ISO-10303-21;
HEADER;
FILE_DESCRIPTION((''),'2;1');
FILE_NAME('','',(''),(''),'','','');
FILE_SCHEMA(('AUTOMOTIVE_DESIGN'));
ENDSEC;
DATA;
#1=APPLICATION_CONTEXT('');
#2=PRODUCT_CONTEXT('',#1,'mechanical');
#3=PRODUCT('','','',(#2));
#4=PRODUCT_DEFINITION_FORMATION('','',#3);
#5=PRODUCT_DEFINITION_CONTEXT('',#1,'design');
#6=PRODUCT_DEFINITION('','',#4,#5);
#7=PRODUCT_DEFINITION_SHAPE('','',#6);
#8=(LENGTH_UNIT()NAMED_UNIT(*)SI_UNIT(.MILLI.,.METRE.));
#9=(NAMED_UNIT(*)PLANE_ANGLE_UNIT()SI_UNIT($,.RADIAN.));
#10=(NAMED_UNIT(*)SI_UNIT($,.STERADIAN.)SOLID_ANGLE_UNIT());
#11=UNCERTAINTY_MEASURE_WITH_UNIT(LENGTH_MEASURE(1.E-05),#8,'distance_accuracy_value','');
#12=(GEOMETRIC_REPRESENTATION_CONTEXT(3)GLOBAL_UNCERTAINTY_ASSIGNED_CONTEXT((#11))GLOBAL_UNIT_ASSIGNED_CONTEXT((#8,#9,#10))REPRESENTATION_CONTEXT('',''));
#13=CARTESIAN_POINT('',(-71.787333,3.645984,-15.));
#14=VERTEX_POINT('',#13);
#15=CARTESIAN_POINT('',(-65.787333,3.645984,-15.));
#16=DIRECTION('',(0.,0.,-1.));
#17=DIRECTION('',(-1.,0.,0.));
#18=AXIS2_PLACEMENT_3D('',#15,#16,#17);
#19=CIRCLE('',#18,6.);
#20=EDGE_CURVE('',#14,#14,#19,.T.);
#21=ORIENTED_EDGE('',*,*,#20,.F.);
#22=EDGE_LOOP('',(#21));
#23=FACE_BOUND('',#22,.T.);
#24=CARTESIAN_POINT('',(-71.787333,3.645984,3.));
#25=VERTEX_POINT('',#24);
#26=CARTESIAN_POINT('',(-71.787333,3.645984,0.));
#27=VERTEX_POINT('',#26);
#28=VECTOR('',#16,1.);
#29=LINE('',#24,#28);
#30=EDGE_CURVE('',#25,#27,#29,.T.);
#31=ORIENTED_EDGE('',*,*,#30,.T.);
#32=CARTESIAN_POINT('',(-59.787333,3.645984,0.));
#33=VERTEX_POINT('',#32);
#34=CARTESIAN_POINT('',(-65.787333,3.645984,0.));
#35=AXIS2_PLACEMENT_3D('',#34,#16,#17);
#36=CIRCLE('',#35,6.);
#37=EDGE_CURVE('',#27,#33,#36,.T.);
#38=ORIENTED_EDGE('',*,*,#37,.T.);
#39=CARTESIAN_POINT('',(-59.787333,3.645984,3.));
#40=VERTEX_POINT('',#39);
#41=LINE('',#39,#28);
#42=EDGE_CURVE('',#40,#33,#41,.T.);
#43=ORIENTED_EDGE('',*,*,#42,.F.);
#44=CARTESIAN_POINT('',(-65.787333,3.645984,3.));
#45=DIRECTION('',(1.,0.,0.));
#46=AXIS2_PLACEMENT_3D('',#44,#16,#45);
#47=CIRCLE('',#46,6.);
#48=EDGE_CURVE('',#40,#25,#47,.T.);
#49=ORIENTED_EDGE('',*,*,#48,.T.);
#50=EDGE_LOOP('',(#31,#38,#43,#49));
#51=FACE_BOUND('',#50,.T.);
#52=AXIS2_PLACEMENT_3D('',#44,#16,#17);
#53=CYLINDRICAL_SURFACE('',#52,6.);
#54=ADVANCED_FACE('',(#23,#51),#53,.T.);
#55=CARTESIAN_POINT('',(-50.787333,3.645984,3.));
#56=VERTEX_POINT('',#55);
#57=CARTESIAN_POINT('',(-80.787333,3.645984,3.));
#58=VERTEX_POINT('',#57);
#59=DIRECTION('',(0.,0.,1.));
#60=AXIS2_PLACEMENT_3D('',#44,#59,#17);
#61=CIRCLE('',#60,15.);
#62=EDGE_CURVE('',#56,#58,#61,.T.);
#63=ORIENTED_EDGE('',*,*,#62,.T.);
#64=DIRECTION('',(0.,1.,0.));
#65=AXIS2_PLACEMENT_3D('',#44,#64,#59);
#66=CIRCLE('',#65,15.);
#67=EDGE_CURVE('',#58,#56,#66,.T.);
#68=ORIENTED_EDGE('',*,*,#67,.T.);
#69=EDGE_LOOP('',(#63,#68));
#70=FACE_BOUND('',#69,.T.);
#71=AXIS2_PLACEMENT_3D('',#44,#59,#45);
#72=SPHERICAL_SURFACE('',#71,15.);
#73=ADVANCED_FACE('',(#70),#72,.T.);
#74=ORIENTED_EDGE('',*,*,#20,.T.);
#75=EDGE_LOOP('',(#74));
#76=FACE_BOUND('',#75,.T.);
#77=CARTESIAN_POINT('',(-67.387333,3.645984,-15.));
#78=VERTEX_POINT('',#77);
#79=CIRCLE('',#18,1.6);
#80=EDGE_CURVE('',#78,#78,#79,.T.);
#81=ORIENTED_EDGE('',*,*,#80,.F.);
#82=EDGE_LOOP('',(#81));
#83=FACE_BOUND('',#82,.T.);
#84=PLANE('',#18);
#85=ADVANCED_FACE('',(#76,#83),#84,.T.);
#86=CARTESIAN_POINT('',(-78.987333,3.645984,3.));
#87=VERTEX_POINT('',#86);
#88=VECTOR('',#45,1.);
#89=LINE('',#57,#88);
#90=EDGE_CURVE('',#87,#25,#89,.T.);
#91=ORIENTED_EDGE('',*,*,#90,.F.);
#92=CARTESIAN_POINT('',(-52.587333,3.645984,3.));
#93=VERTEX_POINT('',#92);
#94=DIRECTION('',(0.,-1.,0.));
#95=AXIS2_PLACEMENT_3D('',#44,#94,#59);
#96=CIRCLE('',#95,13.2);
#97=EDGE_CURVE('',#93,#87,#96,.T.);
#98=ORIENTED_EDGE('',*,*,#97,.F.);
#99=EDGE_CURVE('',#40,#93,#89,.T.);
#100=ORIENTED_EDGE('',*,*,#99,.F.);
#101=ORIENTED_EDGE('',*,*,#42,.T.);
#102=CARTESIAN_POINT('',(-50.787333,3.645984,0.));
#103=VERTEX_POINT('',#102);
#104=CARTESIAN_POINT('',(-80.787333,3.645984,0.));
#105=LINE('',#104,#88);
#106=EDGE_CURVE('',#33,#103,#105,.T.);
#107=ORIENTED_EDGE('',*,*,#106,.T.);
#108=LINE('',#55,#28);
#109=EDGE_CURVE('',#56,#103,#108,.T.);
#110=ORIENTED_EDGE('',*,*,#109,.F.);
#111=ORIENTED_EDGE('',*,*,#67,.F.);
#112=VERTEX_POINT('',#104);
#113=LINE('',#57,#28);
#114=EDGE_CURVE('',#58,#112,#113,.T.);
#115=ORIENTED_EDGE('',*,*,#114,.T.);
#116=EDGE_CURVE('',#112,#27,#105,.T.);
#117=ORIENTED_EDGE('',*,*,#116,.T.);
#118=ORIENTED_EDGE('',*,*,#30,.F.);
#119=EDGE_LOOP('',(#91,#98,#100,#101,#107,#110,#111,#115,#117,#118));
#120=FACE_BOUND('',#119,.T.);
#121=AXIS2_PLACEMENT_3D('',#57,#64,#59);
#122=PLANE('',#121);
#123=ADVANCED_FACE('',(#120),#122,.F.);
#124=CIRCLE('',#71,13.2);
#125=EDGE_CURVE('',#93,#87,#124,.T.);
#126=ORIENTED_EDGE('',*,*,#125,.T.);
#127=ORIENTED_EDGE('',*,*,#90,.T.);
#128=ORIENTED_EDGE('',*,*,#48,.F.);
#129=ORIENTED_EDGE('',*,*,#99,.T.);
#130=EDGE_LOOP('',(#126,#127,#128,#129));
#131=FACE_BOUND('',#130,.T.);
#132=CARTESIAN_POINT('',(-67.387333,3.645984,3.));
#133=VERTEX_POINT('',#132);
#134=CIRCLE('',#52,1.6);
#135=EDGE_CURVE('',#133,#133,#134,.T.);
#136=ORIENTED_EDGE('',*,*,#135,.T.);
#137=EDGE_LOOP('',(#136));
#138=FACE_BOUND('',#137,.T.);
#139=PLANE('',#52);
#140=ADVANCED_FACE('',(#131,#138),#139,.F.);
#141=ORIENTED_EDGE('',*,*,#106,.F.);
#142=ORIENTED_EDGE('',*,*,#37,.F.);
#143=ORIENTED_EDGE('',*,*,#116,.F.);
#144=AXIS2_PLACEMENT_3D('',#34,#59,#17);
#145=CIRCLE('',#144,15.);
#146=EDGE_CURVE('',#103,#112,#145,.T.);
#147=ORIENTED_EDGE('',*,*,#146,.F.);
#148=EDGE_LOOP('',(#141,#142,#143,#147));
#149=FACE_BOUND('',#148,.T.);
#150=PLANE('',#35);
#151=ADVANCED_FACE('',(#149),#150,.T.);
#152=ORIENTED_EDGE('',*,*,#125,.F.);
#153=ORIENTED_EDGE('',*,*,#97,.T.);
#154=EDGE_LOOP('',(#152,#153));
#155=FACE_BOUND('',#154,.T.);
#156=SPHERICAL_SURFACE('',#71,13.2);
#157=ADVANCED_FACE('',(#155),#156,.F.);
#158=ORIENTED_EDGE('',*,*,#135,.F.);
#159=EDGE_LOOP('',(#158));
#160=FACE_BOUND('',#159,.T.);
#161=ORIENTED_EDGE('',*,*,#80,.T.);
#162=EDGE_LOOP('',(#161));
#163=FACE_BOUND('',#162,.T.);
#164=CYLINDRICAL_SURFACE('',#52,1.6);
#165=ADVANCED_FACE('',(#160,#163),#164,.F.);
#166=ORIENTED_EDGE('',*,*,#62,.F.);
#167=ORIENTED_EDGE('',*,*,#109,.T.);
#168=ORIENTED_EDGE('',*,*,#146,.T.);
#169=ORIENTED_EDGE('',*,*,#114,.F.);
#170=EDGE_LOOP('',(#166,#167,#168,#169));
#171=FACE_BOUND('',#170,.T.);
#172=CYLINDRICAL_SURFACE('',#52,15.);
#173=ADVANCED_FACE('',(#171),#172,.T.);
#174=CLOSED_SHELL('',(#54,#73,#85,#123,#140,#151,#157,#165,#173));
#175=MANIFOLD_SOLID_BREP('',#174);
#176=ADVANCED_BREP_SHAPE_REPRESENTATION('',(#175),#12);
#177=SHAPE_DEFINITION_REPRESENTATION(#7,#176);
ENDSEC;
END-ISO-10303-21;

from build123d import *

# Parameters (mm, degrees)
SALIENTE_EXTRUIR1_DEPTH = 3
REVOLUCI_N1_ANGLE       = 180
SALIENTE_EXTRUIR2_DEPTH = 3
CROQUIS4_R              = 1.6
CORTAR_EXTRUIR1_DEPTH   = 3
SALIENTE_EXTRUIR3_START = 15
CROQUIS5_R              = 6
CROQUIS5_R_2            = 1.6
SALIENTE_EXTRUIR3_DEPTH = 15


with BuildPart() as part:
    # Croquis1 → Saliente-Extruir1 (new body)
    with BuildSketch(Plane.XY):
        with BuildLine():
            Line((-80.787332882, 3.645984144), (-50.787332882, 3.645984144))
            ThreePointArc((-50.787332882, 3.645984144), (-65.787332882, 18.645984144), (-80.787332882, 3.645984144))
        make_face()
    extrude(amount=SALIENTE_EXTRUIR1_DEPTH)

    # Croquis2 → Revolución1 (revolve)
    with BuildSketch(Plane.XZ.offset(-3.645984144)):
        with BuildLine():
            Line((-65.787332882, 18), (-65.787332882, 16.2))
            ThreePointArc((-65.787332882, 16.2), (-75.121142393, 12.333809512), (-78.987332882, 3))
            Line((-78.987332882, 3), (-80.787332882, 3))
            ThreePointArc((-80.787332882, 3), (-76.393934599, 13.606601718), (-65.787332882, 18))
        make_face()
    revolve(axis=Axis((-65.787332882, 3.645984144, 3), (0, 0, -1)), revolution_arc=REVOLUCI_N1_ANGLE)

    # Croquis3 → Saliente-Extruir2 (add)
    with BuildSketch(Plane(origin=(0, 0, 0), x_dir=(-1, 0, 0), z_dir=(0, 0, -1))):
        with BuildLine():
            Line((65.787332882, 3.645984144), (71.787332882, 3.645984144))
            ThreePointArc((71.787332882, 3.645984144), (65.787332882, -2.354015856), (59.787332882, 3.645984144))
            Line((59.787332882, 3.645984144), (65.787332882, 3.645984144))
        make_face()
    extrude(amount=-SALIENTE_EXTRUIR2_DEPTH)

    # Croquis4 → Cortar-Extruir1 (cut)
    with BuildSketch(Plane(origin=(0, 0, 0), x_dir=(-1, 0, 0), z_dir=(0, 0, -1))):
        with Locations((65.787332882, 3.645984144)):
            Circle(CROQUIS4_R)
    extrude(amount=-CORTAR_EXTRUIR1_DEPTH, mode=Mode.SUBTRACT)

    # Croquis5 → Saliente-Extruir3 (add)
    with BuildSketch(Plane(origin=(0, 0, 0), x_dir=(-1, 0, 0), z_dir=(0, 0, -1)).offset(SALIENTE_EXTRUIR3_START)):
        with Locations((65.787332882, 3.645984144)):
            Circle(CROQUIS5_R)
        with Locations((65.787332882, 3.645984144)):
            Circle(CROQUIS5_R_2, mode=Mode.SUBTRACT)
    extrude(amount=-SALIENTE_EXTRUIR3_DEPTH)


solid = part.part
